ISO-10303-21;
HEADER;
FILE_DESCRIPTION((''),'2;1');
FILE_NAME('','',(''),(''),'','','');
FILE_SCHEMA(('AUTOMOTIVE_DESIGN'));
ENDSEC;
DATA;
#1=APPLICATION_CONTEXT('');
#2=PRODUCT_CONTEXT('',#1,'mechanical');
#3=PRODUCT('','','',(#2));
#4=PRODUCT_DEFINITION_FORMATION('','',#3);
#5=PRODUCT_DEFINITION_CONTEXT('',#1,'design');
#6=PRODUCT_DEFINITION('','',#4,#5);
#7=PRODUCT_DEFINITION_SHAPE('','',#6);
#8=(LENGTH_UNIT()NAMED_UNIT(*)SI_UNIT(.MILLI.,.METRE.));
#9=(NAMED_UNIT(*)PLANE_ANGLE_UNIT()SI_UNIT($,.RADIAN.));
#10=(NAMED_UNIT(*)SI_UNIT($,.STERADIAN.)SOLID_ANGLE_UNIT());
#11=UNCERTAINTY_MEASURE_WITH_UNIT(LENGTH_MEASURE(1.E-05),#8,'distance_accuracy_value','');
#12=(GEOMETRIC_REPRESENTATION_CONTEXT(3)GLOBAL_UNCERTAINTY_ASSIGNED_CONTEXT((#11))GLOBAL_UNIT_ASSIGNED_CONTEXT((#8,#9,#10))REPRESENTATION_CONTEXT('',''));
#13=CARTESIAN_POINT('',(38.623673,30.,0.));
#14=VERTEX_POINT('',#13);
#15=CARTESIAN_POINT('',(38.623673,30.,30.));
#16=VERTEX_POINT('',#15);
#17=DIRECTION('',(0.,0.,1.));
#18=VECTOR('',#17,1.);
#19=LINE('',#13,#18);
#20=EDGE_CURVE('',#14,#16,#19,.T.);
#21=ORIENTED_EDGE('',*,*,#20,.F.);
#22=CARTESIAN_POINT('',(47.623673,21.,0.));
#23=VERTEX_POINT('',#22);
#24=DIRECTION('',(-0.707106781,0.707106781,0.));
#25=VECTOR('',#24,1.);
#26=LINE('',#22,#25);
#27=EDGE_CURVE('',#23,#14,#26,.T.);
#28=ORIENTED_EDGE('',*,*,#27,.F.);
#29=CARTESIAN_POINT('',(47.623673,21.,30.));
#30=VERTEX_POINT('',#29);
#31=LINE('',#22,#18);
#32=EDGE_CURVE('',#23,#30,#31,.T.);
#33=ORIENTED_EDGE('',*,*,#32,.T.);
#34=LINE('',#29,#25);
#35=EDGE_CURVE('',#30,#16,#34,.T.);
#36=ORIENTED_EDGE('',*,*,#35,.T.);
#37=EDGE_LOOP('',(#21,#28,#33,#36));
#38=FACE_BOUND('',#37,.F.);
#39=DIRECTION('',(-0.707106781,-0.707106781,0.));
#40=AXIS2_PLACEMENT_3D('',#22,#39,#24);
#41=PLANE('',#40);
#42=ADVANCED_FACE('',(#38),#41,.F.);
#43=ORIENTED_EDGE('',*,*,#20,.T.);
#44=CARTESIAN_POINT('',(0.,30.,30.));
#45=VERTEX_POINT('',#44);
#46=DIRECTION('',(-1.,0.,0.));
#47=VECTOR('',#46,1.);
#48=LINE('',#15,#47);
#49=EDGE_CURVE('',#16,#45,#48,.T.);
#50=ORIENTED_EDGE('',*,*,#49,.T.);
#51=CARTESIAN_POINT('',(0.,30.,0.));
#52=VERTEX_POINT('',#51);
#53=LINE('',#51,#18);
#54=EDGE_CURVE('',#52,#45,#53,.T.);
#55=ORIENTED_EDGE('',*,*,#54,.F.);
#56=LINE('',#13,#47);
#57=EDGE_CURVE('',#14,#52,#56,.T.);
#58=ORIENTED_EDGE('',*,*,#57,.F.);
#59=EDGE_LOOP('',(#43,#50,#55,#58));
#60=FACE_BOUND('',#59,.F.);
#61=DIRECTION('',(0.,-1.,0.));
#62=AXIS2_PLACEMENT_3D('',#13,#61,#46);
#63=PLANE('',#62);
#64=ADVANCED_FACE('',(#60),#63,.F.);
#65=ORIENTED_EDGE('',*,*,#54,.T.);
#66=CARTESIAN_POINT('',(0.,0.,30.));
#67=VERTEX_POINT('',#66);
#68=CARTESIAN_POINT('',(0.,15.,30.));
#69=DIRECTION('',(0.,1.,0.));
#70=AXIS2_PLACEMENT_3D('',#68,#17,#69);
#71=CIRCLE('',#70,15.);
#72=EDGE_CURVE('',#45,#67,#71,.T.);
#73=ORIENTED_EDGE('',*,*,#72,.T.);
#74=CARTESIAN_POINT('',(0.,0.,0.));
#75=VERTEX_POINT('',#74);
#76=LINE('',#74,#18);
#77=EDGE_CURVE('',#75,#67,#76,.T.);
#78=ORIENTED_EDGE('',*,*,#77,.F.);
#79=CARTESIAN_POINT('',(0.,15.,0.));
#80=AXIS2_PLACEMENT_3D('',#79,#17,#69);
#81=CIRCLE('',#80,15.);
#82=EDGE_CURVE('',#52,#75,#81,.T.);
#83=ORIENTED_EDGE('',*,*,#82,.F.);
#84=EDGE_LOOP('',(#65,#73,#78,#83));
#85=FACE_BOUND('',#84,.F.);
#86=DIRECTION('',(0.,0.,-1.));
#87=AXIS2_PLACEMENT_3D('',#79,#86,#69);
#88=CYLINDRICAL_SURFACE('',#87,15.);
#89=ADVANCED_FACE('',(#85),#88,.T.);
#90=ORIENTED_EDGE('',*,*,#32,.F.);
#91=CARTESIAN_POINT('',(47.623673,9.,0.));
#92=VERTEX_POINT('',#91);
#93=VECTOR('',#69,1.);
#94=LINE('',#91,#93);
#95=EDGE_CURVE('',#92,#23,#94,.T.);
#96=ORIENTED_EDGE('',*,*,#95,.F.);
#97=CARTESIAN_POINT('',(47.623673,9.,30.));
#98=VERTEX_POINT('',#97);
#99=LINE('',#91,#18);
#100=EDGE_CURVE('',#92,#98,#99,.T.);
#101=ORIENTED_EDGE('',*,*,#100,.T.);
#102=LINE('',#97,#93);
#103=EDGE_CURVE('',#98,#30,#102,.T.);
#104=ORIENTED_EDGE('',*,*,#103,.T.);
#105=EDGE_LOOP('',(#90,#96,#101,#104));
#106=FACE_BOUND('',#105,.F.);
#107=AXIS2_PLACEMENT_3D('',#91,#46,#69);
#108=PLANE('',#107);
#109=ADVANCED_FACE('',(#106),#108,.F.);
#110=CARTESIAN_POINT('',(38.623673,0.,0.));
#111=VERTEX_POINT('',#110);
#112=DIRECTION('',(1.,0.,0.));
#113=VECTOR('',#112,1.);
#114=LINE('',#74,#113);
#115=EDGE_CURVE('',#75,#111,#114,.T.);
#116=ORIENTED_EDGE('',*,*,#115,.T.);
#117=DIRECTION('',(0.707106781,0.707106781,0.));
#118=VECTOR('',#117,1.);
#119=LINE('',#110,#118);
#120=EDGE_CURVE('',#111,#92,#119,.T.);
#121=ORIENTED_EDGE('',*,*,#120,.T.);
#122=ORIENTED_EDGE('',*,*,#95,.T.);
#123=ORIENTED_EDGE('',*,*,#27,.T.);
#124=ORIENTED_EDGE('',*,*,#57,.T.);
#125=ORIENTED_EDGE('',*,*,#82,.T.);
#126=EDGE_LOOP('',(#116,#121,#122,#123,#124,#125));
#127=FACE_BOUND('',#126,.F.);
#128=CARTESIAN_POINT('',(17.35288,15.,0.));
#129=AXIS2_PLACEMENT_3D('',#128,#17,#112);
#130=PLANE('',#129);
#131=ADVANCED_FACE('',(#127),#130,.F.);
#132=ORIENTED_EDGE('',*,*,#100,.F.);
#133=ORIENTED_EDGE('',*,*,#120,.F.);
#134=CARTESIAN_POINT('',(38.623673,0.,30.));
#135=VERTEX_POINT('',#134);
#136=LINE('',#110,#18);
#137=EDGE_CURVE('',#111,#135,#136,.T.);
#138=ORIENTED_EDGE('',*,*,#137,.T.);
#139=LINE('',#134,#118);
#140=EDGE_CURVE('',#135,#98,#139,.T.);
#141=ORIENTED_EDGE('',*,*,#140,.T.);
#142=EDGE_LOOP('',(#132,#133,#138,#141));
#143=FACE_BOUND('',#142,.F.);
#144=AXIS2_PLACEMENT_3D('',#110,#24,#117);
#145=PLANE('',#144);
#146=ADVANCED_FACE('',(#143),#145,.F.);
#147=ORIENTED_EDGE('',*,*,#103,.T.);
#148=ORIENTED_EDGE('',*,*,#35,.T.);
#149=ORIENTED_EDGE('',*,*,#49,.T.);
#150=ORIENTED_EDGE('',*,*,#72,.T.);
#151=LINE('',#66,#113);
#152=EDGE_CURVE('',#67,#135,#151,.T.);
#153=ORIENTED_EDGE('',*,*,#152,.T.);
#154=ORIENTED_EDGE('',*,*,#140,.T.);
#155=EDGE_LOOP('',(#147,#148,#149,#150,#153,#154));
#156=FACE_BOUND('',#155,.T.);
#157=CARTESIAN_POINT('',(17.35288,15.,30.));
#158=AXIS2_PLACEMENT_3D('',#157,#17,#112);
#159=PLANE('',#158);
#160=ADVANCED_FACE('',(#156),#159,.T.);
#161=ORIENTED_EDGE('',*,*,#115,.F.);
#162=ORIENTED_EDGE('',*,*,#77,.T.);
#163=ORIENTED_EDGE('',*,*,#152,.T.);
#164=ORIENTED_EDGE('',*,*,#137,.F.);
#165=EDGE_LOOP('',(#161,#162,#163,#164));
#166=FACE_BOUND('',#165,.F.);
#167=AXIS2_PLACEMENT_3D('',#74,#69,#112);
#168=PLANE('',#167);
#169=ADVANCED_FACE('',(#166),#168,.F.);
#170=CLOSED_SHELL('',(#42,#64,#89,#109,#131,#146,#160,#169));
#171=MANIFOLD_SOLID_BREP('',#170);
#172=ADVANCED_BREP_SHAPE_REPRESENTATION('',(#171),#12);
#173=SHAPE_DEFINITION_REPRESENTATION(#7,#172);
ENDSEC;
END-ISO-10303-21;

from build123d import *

# Parameters (mm, degrees)
F1_DEPTH = 30


with BuildPart() as f1:
    # F0 (on Top) → F1 (new body)
    with BuildSketch(Plane.XY):
        with BuildLine():
            ThreePointArc((0, 30), (-15, 15), (0, 0))
            Line((0, 0), (38.623673, 0))
            Line((38.623673, 0), (47.623673, 9))
            Line((47.623673, 9), (47.623673, 21))
            Line((47.623673, 21), (38.623673, 30))
            Line((38.623673, 30), (0, 30))
        make_face()
    extrude(amount=F1_DEPTH)


solid = f1.part
